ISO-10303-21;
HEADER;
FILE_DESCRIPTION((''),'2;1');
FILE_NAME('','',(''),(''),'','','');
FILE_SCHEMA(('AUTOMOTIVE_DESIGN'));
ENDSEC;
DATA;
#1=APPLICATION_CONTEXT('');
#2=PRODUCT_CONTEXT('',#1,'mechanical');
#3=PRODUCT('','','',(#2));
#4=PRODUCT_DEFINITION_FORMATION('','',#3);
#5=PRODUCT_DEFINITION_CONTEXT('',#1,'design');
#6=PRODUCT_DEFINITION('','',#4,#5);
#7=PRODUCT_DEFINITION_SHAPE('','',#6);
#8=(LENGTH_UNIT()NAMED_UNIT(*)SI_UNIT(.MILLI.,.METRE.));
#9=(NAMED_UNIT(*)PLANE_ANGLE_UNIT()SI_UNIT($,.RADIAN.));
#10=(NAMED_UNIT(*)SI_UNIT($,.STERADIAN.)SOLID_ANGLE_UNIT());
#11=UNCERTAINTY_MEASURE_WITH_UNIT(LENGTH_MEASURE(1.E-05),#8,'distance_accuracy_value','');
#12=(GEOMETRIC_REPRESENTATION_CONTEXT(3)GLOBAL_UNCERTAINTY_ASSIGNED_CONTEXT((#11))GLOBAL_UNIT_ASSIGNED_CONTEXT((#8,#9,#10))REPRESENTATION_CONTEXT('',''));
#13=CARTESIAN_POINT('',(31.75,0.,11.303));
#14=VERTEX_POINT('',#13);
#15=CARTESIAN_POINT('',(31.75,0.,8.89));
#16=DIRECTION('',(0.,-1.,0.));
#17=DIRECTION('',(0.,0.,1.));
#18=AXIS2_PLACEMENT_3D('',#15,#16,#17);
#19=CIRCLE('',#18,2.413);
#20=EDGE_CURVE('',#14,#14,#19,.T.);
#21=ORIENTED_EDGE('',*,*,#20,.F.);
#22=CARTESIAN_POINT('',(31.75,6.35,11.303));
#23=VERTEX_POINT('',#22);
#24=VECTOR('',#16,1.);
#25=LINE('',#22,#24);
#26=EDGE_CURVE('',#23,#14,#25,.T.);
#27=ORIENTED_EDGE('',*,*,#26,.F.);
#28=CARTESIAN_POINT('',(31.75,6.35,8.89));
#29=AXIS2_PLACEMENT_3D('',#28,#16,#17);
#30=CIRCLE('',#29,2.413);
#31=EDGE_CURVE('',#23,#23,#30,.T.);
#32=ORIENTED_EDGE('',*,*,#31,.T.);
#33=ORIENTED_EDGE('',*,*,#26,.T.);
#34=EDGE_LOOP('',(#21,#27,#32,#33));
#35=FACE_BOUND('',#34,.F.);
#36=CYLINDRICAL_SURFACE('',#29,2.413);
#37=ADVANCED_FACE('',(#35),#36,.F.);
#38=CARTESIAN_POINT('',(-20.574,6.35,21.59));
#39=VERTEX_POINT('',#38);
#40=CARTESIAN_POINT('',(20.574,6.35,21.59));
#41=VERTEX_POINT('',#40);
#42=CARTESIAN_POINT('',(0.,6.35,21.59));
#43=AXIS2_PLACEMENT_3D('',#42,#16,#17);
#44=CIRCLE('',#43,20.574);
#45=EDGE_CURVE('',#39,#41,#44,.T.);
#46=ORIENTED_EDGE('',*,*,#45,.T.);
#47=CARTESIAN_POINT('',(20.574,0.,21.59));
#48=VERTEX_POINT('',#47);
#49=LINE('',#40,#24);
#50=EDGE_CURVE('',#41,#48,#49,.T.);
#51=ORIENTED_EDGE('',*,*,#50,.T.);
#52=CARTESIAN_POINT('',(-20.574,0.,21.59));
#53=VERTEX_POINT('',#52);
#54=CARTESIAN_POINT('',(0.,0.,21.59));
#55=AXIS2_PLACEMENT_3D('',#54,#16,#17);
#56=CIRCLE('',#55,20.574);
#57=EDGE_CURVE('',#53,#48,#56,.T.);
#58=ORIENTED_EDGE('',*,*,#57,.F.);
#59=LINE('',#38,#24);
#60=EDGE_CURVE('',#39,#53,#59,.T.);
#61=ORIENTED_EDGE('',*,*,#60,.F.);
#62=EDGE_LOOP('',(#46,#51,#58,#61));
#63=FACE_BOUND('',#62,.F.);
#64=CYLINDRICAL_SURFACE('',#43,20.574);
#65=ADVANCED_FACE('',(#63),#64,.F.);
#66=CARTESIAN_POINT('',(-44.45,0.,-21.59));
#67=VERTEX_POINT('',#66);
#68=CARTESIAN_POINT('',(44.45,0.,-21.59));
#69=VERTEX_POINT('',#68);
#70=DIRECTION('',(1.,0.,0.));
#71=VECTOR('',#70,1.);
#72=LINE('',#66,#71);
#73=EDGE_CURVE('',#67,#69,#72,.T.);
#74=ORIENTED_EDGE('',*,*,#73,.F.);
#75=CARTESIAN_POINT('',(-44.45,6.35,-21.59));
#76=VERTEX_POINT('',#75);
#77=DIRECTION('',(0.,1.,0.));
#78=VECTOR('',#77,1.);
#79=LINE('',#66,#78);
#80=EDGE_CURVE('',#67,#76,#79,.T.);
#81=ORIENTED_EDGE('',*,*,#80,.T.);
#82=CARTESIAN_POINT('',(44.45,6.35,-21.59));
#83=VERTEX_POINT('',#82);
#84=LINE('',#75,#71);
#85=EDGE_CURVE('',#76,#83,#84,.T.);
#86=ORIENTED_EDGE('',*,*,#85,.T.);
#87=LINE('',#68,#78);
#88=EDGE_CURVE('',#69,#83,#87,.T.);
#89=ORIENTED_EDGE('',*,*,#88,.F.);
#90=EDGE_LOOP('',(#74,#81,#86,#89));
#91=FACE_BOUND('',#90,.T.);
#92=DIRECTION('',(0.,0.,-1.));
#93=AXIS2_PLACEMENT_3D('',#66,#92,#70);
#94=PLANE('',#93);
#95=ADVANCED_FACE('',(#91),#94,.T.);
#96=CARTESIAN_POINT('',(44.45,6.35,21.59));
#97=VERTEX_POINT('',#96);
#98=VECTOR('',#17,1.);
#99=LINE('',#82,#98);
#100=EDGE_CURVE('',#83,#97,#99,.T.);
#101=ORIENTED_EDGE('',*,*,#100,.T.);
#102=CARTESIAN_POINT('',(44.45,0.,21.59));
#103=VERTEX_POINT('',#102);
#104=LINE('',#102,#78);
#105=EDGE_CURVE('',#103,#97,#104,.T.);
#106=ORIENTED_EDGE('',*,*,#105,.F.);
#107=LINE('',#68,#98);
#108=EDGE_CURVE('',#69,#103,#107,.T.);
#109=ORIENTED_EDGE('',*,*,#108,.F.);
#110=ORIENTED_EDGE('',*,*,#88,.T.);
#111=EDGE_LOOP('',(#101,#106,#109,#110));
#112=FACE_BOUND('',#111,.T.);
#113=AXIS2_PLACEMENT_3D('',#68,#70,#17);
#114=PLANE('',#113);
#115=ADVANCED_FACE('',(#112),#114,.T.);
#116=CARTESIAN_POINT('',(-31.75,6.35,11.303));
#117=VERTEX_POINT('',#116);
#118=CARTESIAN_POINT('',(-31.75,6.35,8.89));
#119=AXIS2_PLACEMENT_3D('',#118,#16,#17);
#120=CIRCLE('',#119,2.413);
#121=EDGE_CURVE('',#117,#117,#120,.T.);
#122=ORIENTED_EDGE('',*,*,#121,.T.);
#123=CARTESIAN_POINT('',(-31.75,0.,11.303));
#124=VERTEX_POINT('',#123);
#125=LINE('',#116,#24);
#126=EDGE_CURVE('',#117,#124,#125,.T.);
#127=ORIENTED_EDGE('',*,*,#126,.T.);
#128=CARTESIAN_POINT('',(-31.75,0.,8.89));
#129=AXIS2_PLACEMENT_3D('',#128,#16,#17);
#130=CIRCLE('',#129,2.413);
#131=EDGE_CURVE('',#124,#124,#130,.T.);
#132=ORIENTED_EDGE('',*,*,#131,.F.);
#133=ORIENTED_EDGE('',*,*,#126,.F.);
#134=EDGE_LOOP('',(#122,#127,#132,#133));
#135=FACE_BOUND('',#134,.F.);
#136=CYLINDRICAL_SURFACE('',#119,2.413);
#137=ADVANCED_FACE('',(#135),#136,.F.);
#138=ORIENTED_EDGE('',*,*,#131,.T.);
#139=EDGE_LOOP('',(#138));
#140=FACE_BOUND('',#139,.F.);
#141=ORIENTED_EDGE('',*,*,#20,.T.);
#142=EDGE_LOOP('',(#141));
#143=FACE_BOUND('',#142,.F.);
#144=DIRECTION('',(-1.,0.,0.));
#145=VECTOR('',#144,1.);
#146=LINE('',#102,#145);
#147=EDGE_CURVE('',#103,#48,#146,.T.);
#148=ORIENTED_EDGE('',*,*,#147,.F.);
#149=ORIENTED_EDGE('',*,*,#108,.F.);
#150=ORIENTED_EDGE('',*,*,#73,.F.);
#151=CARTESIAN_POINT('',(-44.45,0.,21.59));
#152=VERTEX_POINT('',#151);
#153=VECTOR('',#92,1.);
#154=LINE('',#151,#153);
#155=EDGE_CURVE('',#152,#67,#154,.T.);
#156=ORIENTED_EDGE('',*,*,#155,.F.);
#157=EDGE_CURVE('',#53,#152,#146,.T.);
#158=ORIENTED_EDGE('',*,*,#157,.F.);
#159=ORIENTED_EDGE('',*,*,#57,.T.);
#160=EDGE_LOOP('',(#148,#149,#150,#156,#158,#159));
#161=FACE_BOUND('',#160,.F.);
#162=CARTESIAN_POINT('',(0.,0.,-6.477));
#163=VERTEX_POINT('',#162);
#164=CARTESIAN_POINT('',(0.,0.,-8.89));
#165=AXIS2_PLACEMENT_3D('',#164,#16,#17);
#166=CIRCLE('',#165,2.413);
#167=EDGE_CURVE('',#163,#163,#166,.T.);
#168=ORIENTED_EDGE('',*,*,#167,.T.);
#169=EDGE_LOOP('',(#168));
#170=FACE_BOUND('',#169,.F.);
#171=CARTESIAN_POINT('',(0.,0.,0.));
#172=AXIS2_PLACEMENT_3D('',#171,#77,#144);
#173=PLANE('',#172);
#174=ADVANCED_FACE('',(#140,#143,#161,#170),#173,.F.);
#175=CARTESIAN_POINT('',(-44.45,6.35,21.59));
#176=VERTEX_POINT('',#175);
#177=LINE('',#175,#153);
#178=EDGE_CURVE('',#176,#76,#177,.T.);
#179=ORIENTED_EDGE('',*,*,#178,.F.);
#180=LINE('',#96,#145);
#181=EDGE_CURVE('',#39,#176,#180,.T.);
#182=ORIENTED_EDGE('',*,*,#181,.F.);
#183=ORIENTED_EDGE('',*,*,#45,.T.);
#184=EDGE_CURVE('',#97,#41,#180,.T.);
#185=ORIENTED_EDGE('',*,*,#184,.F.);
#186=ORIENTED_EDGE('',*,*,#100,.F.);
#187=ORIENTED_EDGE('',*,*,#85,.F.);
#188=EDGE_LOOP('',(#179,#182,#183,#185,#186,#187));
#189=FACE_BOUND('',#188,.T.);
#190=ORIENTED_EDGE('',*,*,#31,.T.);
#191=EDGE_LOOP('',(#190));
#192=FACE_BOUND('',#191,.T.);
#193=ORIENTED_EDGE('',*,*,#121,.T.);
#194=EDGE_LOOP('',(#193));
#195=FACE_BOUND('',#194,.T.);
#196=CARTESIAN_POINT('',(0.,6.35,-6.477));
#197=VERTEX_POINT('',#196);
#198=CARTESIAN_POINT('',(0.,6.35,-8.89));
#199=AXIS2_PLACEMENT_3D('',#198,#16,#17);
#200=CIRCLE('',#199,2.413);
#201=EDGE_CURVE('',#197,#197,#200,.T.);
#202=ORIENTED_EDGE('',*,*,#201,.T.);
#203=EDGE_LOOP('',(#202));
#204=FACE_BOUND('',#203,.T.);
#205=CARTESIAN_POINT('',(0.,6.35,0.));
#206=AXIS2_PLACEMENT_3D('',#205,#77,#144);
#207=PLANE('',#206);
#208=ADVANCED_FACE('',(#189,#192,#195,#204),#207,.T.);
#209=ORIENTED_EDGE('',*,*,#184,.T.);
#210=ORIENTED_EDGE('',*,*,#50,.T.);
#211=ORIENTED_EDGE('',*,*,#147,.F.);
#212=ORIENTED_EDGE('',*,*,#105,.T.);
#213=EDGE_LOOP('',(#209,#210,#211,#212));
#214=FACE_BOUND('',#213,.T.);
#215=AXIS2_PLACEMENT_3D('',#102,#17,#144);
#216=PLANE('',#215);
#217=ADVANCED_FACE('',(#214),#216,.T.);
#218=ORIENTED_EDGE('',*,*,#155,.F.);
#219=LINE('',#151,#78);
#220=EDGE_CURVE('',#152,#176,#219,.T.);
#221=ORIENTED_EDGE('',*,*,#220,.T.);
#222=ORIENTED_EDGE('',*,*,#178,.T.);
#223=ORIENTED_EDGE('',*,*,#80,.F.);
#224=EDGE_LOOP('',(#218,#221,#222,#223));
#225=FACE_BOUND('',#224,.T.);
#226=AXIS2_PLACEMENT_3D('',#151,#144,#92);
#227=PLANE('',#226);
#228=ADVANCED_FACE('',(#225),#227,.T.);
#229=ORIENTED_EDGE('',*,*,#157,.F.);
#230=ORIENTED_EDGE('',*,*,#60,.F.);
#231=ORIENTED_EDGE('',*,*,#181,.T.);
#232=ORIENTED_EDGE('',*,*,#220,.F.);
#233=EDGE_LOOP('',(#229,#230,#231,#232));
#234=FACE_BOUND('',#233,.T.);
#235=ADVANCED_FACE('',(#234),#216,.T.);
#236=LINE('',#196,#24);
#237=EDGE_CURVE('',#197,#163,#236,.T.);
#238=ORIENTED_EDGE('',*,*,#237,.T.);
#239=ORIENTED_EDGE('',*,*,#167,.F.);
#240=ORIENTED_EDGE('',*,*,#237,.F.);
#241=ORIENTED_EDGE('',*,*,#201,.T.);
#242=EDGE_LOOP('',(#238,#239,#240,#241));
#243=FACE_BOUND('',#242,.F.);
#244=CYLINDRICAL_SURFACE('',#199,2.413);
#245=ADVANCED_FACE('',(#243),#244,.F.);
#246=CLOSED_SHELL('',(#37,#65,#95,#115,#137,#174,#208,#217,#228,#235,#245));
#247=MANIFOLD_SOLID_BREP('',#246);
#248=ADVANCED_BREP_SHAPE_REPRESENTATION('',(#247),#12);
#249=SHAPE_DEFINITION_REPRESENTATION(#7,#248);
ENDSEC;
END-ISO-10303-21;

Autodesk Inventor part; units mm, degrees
ref_plane "YZ Plane" through (0, 0, 0) normal (1, 0, 0) x (0, 1, 0)
ref_plane "XZ Plane" through (0, 0, 0) normal (0, 1, 0) x (-1, 0, 0)
ref_plane "XY Plane" through (0, 0, 0) normal (0, 0, 1) x (1, 0, 0)
sketch "Sketch1" plane through (0, 0, 0) normal (0, 1, 0) x (-1, 0, 0)
  line L0 (-44.45, 21.59) -> (44.45, 21.59)
  line L1 (44.45, 21.59) -> (44.45, -21.59)
  line L2 (44.45, -21.59) -> (-44.45, -21.59)
  line L3 (-44.45, -21.59) -> (-44.45, 21.59)
  line L4 (-44.45, 21.59) -> (44.45, -21.59) construction
  line L5 (44.45, 21.59) -> (-44.45, -21.59) construction
  point P0 (0, 0)
  dimension "d5" = 88.9
  dimension "d6" = 43.18
extrude "Extrusion1" add sketch "Sketch1" along normal blind 6.35
sketch "Sketch2" plane through (0, 6.35, 0) normal (0, 1, 0) x (1, 0, 0)
  line L0 (44.45, 21.59) -> (-44.45, 21.59) projected
  line L1 (44.45, -21.59) -> (44.45, 21.59) projected
  point P0 (0, 0)
  point P1 (0, -21.59)
  dimension "d16" = 43.18
  dimension "d17" = 44.45
hole "Hole1" at (0, 6.35, 21.59) direction (0, -1, 0) diameter 41.148 end through all
sketch "Sketch3" plane through (0, 6.35, 0) normal (0, 1, 0) x (1, 0, 0)
  line L0 (-44.45, 21.59) -> (-44.45, -21.59) projected
  line L1 (-44.45, -21.59) -> (-20.574, -21.59) projected
  point P0 (0, 0)
  point P1 (-31.75, -8.89)
  dimension "d25" = 12.7
  dimension "d26" = 12.7
hole "Hole2" at (-31.75, 6.35, 8.89) direction (0, -1, 0) diameter 4.826 end through all
sketch "Sketch4" plane through (0, 6.35, 0) normal (0, 1, 0) x (1, 0, 0)
  line L0 (44.45, 21.59) -> (-44.45, 21.59) projected
  line L1 (44.45, -21.59) -> (44.45, 21.59) projected
  point P0 (0, 0)
  point P1 (0, 8.89)
  dimension "d34" = 12.7
  dimension "d35" = 44.45
hole "Hole3" at (0, 6.35, -8.89) direction (0, -1, 0) diameter 4.826 end through all
sketch "Sketch5" plane through (0, 6.35, 0) normal (0, 1, 0) x (1, 0, 0)
  line L0 (44.45, -21.59) -> (44.45, 21.59) projected
  line L1 (20.574, -21.59) -> (44.45, -21.59) projected
  point P0 (0, 0)
  point P1 (31.75, -8.89)
  dimension "d43" = 12.7
  dimension "d44" = 12.7
hole "Hole4" at (31.75, 6.35, 8.89) direction (0, -1, 0) diameter 4.826 end through all
thread "Thread1" size "10-24 UNC" class "2B" standard "ANSI Unified Screw Threads" full length
thread "Thread2" size "10-24 UNC" class "2B" standard "ANSI Unified Screw Threads" full length
thread "Thread3" size "10-24 UNC" class "2B" standard "ANSI Unified Screw Threads" full length
properties part number "sguard"
